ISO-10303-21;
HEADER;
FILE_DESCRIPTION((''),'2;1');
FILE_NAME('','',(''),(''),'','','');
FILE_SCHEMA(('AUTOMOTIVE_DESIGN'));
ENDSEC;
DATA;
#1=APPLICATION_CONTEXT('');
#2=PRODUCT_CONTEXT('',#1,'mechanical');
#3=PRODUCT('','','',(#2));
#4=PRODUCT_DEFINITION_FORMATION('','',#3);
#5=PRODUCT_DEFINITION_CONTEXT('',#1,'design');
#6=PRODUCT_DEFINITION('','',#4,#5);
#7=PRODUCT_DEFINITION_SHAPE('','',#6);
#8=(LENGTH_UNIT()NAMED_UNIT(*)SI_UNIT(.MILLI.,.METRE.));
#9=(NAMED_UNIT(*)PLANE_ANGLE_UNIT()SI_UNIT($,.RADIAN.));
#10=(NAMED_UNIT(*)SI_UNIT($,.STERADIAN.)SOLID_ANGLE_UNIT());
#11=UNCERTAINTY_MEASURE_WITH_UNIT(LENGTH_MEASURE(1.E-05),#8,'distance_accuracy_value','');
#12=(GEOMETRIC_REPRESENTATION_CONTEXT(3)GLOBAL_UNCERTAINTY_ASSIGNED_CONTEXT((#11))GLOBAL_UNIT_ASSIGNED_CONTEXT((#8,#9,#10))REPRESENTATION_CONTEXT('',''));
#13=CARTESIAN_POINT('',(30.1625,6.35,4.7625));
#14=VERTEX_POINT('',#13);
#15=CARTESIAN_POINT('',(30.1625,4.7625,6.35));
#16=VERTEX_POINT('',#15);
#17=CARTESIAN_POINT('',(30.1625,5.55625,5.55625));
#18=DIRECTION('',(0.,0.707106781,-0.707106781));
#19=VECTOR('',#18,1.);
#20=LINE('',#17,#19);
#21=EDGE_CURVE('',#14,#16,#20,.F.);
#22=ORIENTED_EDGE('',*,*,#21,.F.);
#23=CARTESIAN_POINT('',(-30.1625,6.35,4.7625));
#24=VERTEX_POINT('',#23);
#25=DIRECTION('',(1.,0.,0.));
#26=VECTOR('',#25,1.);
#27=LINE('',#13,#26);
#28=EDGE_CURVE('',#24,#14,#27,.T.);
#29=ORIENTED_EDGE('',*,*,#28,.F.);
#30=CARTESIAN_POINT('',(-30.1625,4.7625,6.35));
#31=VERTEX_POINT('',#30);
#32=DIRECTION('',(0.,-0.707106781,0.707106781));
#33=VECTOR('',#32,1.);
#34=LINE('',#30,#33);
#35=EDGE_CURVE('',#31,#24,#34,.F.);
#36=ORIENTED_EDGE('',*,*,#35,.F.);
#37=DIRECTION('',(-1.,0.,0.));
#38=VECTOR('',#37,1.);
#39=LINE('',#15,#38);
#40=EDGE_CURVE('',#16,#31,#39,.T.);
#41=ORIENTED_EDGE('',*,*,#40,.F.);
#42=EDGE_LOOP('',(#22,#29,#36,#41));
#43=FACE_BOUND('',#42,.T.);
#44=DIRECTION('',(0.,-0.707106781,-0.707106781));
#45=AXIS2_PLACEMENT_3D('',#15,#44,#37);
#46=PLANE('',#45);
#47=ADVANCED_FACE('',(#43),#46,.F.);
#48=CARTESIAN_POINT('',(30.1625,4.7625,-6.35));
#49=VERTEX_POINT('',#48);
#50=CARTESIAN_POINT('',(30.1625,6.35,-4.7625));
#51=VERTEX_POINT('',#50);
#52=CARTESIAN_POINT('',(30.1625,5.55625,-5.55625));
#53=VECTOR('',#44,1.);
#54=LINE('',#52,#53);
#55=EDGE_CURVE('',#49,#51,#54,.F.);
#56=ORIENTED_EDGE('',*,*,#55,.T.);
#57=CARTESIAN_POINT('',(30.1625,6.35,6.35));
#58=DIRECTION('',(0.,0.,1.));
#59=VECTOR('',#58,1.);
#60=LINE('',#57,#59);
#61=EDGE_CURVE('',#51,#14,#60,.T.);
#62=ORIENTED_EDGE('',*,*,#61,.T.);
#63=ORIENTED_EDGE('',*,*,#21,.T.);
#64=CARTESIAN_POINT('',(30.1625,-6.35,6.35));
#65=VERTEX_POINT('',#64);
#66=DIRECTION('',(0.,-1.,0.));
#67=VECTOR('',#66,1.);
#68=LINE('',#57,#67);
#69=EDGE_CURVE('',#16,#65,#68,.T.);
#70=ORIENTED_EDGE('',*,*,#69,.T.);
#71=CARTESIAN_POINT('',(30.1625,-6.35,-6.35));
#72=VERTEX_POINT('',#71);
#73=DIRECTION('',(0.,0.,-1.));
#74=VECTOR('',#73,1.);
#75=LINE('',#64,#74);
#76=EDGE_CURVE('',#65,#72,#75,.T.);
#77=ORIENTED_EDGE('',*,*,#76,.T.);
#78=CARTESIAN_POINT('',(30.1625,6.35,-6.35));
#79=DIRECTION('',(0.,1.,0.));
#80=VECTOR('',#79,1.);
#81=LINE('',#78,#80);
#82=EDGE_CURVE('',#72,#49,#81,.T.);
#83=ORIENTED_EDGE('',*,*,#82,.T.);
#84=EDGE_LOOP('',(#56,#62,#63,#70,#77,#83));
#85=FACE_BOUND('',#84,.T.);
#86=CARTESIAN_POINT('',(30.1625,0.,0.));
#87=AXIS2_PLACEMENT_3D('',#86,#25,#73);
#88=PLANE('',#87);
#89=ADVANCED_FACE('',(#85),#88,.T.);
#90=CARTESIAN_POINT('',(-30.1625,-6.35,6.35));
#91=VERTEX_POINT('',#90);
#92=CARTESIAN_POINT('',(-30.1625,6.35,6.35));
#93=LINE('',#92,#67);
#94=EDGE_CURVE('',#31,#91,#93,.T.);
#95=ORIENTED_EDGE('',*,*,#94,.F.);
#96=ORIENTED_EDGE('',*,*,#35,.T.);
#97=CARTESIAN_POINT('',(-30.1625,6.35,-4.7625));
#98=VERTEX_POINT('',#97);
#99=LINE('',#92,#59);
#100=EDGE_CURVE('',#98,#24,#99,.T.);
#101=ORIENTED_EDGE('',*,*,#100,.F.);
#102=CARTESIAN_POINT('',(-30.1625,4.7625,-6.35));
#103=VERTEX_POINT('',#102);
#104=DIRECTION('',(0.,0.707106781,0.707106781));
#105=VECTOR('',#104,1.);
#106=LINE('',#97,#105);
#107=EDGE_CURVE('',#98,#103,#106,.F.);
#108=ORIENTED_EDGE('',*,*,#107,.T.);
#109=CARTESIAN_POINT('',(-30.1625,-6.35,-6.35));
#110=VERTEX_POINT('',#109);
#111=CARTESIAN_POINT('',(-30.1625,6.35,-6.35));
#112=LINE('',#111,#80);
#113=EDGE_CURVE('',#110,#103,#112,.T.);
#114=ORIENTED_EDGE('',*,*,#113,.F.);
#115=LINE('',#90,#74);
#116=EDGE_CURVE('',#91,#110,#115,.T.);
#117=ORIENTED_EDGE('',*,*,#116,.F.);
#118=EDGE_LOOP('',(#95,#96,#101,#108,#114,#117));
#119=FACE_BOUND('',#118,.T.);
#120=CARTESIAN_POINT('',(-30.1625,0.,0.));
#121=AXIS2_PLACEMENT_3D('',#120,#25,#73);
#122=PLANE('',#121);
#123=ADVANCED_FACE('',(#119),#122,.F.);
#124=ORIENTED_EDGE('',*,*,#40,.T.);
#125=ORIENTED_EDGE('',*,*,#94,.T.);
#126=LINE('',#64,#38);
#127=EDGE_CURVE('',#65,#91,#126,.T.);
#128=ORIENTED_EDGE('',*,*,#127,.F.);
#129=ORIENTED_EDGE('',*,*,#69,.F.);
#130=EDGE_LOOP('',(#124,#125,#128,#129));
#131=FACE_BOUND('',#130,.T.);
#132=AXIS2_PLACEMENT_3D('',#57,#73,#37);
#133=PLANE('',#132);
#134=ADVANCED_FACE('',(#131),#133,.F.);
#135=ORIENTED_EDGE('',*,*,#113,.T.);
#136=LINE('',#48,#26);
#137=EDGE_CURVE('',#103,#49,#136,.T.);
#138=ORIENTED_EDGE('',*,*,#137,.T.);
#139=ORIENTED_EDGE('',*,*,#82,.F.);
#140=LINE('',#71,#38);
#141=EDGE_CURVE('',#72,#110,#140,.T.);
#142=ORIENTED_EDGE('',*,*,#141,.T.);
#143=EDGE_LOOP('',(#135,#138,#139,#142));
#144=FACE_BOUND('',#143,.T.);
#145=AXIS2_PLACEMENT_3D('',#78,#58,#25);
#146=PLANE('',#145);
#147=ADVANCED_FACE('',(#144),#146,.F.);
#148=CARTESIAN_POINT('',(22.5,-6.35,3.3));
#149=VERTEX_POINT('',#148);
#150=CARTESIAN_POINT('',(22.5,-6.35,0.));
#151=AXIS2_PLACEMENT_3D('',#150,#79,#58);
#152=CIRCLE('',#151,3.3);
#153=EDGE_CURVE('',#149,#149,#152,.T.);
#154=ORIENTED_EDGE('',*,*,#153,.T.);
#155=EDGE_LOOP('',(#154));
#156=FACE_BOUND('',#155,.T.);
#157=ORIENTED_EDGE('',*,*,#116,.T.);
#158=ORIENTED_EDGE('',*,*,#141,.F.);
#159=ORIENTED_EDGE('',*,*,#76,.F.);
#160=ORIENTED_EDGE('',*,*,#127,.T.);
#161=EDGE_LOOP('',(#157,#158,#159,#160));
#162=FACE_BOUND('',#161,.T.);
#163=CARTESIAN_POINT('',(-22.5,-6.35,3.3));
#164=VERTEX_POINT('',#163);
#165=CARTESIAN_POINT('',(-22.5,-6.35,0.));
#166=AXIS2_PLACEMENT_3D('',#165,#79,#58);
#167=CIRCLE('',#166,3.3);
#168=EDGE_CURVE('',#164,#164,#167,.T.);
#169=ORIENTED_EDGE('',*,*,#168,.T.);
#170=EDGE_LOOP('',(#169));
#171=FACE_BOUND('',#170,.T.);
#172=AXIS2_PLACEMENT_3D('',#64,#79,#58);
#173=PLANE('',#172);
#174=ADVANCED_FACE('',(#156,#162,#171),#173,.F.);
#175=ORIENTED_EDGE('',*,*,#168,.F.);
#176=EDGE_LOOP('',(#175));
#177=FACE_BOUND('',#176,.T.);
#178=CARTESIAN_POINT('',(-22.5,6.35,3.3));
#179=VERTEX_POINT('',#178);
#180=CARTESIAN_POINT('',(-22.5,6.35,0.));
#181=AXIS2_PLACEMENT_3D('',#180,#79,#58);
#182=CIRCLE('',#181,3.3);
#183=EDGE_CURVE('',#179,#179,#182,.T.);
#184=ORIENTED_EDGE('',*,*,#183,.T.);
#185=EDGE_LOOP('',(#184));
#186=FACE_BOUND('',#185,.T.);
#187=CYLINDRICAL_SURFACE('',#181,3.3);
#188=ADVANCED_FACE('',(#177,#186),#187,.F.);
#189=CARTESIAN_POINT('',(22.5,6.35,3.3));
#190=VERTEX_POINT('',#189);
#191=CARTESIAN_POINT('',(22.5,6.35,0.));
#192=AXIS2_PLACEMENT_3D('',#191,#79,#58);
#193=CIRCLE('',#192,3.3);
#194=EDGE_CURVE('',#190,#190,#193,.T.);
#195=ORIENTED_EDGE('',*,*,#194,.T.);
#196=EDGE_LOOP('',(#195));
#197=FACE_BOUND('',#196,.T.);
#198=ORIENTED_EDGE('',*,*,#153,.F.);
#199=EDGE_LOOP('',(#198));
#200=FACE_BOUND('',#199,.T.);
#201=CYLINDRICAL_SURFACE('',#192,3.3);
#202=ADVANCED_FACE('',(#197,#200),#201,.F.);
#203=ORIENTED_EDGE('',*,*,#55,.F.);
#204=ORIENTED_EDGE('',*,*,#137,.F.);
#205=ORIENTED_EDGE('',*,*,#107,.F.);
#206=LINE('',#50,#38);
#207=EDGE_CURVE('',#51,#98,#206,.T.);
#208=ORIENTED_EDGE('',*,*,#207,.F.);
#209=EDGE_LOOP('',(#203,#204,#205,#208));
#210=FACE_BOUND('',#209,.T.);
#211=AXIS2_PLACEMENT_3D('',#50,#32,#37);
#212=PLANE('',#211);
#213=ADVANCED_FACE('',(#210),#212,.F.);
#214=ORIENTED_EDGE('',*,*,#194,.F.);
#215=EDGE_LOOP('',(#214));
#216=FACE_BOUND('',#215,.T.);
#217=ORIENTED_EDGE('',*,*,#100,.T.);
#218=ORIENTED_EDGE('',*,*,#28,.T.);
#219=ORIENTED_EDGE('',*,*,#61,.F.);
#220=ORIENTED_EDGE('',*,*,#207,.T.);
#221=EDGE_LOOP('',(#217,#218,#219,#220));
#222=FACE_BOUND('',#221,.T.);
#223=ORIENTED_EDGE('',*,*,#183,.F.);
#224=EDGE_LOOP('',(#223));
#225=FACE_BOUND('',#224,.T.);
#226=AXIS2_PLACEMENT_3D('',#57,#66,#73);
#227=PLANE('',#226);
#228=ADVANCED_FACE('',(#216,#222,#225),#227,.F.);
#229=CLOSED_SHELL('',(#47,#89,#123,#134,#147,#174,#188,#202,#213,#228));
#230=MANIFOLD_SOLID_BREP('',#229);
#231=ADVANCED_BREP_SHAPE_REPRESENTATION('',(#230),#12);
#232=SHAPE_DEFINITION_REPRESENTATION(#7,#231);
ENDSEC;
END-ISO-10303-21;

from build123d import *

# Parameters (mm, degrees)
SKETCH1_W            = 12.7
SKETCH1_H            = 12.7
BOSS_EXTRUDE1_DEPTH  = 30.1625
M6_CLEARANCE_HOLE1_D = 6.6
CHAMFER1_SIZE        = 1.5875


with BuildPart() as part:
    # Sketch1 → Boss-Extrude1 (new, symmetric)
    with BuildSketch(Plane(origin=(0, 0, 0), x_dir=(0, 0, -1), z_dir=(1, 0, 0))):
        Rectangle(SKETCH1_W, SKETCH1_H)
    extrude(amount=BOSS_EXTRUDE1_DEPTH, both=True)

    # M6 Clearance Hole1 (through all)
    with Locations(Plane(origin=(0, 6.35, 0), x_dir=(1, 0, 0), z_dir=(0, 1, 0))):
        with Locations((-22.5, 0), (22.5, 0)):
            Hole(M6_CLEARANCE_HOLE1_D / 2)

    # Chamfer1
    chamfer1_edges = [part.edges().sort_by_distance(p)[0] for p in [
        (0, 6.35, 6.35),
        (0, 6.35, -6.35),
    ]]
    chamfer(chamfer1_edges, length=CHAMFER1_SIZE)


solid = part.part
